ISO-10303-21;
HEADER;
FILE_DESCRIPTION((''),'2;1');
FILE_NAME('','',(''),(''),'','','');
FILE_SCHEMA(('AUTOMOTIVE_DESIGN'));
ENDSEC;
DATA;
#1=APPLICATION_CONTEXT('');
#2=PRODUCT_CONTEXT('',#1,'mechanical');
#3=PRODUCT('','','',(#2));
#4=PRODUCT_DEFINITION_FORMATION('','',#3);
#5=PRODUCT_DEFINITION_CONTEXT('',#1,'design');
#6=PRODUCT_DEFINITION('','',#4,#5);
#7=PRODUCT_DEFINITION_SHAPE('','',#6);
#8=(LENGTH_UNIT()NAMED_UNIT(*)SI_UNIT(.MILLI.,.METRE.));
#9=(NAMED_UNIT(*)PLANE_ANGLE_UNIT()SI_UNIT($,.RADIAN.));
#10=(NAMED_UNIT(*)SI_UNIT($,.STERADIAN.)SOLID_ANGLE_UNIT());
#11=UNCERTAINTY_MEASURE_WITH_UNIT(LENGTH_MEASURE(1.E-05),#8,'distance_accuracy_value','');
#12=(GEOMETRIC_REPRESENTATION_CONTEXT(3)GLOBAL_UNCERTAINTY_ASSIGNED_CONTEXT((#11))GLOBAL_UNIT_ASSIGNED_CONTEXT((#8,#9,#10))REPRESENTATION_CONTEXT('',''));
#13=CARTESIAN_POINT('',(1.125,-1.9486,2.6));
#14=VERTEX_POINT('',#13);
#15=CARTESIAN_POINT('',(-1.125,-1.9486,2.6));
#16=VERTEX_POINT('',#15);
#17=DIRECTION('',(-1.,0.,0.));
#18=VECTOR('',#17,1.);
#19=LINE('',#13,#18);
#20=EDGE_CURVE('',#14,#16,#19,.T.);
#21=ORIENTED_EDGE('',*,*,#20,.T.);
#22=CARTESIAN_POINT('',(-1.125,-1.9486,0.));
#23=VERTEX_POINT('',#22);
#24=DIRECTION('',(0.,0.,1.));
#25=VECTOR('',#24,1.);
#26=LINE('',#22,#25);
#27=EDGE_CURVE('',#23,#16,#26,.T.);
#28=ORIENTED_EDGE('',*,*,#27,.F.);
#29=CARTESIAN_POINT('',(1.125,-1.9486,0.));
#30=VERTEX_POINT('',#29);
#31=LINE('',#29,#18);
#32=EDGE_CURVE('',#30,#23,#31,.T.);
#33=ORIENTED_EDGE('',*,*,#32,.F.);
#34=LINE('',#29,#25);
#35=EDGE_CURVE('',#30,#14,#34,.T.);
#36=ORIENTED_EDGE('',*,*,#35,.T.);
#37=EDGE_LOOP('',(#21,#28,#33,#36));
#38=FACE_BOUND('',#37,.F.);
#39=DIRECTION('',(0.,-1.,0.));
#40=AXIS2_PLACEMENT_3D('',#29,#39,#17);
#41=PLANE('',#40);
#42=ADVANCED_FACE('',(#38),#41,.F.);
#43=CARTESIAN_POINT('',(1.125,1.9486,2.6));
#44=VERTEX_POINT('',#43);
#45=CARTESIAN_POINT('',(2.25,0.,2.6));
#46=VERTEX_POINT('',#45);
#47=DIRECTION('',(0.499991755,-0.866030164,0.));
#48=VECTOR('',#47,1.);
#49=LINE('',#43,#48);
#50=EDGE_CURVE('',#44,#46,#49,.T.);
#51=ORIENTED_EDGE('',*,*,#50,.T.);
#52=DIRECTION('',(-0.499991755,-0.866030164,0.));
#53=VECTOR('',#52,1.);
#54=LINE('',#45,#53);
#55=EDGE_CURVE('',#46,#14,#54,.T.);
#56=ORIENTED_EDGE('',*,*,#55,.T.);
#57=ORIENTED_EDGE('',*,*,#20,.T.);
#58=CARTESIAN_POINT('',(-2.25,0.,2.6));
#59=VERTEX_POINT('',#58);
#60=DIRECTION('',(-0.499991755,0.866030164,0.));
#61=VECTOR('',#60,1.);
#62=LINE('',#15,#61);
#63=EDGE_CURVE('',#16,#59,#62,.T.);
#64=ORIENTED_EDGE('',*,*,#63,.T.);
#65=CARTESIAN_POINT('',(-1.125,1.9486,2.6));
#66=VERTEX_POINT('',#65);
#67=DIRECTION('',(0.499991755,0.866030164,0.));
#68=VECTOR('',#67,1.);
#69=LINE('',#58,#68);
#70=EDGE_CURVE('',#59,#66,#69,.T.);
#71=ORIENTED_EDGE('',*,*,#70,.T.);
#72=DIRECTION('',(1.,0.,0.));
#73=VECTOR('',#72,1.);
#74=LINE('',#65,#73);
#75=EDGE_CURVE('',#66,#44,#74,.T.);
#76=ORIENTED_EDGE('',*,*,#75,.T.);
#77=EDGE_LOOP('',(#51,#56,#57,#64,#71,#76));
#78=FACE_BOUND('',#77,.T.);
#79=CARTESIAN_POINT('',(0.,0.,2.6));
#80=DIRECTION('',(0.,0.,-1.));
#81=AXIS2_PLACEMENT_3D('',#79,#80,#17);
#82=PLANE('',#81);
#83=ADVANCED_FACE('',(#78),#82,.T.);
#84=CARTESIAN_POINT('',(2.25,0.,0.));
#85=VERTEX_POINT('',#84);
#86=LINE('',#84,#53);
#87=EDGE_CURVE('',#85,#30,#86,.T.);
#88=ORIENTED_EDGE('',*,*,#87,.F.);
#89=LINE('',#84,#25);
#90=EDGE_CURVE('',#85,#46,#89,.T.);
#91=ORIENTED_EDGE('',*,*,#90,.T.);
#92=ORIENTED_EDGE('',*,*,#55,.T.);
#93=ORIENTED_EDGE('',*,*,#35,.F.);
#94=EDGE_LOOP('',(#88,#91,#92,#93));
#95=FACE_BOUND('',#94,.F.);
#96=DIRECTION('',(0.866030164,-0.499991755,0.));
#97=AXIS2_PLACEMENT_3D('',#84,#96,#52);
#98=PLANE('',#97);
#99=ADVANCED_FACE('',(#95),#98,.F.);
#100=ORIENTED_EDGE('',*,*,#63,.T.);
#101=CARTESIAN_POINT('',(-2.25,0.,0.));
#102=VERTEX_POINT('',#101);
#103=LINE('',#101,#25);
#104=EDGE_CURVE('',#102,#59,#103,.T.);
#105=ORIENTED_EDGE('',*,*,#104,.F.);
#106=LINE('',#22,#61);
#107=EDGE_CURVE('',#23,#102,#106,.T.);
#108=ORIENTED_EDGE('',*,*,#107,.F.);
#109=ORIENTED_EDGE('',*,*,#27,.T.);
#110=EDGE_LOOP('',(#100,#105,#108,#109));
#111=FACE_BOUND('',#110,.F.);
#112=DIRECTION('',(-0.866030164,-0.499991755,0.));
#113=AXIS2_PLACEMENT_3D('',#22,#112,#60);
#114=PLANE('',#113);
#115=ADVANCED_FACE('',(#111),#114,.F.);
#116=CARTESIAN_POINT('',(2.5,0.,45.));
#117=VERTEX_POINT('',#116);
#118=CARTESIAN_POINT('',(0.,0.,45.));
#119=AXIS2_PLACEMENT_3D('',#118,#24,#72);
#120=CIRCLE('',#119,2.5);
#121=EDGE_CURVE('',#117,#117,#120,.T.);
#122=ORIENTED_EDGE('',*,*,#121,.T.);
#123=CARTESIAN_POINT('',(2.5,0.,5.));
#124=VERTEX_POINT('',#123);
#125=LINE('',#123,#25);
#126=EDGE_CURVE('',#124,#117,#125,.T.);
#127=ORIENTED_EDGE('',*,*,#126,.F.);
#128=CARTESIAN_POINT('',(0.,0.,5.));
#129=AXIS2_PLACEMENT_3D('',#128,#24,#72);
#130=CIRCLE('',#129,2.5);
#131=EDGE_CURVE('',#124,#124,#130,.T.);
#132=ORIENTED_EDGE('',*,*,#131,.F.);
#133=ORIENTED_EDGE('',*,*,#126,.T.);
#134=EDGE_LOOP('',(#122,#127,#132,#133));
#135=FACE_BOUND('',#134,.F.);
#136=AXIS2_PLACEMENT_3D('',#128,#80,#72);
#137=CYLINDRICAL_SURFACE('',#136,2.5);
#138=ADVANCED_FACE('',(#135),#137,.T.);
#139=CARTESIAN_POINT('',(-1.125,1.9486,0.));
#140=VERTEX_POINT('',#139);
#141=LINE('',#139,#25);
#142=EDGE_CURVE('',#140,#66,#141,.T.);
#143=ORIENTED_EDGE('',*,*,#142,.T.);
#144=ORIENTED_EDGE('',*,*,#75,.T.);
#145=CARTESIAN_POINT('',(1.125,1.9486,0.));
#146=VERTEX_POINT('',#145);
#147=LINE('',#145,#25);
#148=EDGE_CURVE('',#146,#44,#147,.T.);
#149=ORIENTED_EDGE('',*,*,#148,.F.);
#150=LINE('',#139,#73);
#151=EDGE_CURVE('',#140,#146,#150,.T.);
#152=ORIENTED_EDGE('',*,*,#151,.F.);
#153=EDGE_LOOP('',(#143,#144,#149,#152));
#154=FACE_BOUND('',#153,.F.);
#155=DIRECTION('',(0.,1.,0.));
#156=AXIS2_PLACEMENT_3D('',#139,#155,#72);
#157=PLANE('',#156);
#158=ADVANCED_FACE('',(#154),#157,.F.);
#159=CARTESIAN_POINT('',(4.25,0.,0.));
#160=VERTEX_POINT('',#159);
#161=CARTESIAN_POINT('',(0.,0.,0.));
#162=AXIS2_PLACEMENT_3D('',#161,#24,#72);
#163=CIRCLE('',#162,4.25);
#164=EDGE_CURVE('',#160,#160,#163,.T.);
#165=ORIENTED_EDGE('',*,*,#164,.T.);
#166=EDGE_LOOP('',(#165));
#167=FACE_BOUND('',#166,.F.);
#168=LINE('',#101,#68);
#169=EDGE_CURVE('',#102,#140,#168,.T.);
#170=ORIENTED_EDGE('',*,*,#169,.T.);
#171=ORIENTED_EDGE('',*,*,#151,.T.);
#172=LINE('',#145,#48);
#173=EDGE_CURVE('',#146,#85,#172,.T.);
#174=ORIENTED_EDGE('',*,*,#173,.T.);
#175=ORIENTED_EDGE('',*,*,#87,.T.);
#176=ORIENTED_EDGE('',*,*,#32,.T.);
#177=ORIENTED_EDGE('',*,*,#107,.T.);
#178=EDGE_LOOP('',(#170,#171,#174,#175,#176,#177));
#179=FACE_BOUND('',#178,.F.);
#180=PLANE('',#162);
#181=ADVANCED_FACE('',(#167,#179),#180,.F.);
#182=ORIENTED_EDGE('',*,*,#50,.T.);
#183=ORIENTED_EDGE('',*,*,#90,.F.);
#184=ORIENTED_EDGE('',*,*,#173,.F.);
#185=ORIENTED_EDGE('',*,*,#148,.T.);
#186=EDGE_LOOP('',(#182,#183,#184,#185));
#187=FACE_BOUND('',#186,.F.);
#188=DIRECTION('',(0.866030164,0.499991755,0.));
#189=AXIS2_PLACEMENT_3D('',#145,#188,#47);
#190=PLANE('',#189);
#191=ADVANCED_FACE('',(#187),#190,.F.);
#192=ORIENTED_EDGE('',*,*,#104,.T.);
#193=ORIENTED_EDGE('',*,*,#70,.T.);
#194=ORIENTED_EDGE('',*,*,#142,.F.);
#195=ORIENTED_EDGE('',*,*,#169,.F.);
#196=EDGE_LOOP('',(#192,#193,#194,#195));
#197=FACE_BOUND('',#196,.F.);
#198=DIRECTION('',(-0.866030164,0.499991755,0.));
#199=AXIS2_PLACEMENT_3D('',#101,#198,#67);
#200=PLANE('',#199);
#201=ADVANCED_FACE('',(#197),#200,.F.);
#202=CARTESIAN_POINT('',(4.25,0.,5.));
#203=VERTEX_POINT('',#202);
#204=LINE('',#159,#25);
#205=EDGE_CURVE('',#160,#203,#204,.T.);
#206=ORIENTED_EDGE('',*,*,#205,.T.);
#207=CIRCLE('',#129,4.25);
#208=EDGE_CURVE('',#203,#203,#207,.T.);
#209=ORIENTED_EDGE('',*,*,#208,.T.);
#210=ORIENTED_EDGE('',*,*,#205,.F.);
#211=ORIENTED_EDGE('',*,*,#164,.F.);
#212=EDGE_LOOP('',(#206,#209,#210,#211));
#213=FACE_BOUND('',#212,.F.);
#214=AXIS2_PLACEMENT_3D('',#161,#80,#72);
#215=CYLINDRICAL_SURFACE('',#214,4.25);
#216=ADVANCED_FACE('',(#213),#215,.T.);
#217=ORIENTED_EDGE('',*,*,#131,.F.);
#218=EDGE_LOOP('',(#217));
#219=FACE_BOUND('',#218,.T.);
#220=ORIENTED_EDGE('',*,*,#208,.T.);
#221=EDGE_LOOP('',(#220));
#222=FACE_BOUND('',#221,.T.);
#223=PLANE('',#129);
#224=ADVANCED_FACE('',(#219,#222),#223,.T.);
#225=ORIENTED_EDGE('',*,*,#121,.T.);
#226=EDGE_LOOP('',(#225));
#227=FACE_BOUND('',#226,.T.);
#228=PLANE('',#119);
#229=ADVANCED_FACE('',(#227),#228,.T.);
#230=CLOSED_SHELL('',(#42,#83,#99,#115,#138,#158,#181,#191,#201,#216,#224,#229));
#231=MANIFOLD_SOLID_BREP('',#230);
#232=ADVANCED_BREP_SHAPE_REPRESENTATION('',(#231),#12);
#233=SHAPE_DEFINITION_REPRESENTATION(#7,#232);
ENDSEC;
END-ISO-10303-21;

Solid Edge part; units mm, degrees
sketch "Sketch1" plane through (0, 0, 0) normal (0, 0, 1) x (1, 0, 0)
  circle A0 centre (0, 0) radius 4.25
  dimension "D1" = 8.5
extrude "Protrusion1" add sketch "Sketch1" along normal blind 5
sketch "Sketch2" plane through (0, 0, 5) normal (0, 0, 1) x (1, 0, 0)
  circle A0 centre (0, 0) radius 2.5
extrude "ExtrudedProtrusion_2" add sketch "Sketch2" along normal blind 40
sketch "Sketch3" plane through (0, 0, 0) normal (0, 0, -1) x (-1, 0, 0)
  line L0 (2.25, 0) -> (1.125, 1.9486)
  line L1 (1.125, 1.9486) -> (-1.125, 1.9486)
  line L2 (-1.125, 1.9486) -> (-2.25, 0)
  line L3 (-2.25, 0) -> (-1.125, -1.9486)
  line L4 (-1.125, -1.9486) -> (1.125, -1.9486)
  line L5 (1.125, -1.9486) -> (2.25, 0)
extrude "ExtrudedCutout_1" cut sketch "Sketch3" against normal blind 2.6
properties material "Stainless steel"
